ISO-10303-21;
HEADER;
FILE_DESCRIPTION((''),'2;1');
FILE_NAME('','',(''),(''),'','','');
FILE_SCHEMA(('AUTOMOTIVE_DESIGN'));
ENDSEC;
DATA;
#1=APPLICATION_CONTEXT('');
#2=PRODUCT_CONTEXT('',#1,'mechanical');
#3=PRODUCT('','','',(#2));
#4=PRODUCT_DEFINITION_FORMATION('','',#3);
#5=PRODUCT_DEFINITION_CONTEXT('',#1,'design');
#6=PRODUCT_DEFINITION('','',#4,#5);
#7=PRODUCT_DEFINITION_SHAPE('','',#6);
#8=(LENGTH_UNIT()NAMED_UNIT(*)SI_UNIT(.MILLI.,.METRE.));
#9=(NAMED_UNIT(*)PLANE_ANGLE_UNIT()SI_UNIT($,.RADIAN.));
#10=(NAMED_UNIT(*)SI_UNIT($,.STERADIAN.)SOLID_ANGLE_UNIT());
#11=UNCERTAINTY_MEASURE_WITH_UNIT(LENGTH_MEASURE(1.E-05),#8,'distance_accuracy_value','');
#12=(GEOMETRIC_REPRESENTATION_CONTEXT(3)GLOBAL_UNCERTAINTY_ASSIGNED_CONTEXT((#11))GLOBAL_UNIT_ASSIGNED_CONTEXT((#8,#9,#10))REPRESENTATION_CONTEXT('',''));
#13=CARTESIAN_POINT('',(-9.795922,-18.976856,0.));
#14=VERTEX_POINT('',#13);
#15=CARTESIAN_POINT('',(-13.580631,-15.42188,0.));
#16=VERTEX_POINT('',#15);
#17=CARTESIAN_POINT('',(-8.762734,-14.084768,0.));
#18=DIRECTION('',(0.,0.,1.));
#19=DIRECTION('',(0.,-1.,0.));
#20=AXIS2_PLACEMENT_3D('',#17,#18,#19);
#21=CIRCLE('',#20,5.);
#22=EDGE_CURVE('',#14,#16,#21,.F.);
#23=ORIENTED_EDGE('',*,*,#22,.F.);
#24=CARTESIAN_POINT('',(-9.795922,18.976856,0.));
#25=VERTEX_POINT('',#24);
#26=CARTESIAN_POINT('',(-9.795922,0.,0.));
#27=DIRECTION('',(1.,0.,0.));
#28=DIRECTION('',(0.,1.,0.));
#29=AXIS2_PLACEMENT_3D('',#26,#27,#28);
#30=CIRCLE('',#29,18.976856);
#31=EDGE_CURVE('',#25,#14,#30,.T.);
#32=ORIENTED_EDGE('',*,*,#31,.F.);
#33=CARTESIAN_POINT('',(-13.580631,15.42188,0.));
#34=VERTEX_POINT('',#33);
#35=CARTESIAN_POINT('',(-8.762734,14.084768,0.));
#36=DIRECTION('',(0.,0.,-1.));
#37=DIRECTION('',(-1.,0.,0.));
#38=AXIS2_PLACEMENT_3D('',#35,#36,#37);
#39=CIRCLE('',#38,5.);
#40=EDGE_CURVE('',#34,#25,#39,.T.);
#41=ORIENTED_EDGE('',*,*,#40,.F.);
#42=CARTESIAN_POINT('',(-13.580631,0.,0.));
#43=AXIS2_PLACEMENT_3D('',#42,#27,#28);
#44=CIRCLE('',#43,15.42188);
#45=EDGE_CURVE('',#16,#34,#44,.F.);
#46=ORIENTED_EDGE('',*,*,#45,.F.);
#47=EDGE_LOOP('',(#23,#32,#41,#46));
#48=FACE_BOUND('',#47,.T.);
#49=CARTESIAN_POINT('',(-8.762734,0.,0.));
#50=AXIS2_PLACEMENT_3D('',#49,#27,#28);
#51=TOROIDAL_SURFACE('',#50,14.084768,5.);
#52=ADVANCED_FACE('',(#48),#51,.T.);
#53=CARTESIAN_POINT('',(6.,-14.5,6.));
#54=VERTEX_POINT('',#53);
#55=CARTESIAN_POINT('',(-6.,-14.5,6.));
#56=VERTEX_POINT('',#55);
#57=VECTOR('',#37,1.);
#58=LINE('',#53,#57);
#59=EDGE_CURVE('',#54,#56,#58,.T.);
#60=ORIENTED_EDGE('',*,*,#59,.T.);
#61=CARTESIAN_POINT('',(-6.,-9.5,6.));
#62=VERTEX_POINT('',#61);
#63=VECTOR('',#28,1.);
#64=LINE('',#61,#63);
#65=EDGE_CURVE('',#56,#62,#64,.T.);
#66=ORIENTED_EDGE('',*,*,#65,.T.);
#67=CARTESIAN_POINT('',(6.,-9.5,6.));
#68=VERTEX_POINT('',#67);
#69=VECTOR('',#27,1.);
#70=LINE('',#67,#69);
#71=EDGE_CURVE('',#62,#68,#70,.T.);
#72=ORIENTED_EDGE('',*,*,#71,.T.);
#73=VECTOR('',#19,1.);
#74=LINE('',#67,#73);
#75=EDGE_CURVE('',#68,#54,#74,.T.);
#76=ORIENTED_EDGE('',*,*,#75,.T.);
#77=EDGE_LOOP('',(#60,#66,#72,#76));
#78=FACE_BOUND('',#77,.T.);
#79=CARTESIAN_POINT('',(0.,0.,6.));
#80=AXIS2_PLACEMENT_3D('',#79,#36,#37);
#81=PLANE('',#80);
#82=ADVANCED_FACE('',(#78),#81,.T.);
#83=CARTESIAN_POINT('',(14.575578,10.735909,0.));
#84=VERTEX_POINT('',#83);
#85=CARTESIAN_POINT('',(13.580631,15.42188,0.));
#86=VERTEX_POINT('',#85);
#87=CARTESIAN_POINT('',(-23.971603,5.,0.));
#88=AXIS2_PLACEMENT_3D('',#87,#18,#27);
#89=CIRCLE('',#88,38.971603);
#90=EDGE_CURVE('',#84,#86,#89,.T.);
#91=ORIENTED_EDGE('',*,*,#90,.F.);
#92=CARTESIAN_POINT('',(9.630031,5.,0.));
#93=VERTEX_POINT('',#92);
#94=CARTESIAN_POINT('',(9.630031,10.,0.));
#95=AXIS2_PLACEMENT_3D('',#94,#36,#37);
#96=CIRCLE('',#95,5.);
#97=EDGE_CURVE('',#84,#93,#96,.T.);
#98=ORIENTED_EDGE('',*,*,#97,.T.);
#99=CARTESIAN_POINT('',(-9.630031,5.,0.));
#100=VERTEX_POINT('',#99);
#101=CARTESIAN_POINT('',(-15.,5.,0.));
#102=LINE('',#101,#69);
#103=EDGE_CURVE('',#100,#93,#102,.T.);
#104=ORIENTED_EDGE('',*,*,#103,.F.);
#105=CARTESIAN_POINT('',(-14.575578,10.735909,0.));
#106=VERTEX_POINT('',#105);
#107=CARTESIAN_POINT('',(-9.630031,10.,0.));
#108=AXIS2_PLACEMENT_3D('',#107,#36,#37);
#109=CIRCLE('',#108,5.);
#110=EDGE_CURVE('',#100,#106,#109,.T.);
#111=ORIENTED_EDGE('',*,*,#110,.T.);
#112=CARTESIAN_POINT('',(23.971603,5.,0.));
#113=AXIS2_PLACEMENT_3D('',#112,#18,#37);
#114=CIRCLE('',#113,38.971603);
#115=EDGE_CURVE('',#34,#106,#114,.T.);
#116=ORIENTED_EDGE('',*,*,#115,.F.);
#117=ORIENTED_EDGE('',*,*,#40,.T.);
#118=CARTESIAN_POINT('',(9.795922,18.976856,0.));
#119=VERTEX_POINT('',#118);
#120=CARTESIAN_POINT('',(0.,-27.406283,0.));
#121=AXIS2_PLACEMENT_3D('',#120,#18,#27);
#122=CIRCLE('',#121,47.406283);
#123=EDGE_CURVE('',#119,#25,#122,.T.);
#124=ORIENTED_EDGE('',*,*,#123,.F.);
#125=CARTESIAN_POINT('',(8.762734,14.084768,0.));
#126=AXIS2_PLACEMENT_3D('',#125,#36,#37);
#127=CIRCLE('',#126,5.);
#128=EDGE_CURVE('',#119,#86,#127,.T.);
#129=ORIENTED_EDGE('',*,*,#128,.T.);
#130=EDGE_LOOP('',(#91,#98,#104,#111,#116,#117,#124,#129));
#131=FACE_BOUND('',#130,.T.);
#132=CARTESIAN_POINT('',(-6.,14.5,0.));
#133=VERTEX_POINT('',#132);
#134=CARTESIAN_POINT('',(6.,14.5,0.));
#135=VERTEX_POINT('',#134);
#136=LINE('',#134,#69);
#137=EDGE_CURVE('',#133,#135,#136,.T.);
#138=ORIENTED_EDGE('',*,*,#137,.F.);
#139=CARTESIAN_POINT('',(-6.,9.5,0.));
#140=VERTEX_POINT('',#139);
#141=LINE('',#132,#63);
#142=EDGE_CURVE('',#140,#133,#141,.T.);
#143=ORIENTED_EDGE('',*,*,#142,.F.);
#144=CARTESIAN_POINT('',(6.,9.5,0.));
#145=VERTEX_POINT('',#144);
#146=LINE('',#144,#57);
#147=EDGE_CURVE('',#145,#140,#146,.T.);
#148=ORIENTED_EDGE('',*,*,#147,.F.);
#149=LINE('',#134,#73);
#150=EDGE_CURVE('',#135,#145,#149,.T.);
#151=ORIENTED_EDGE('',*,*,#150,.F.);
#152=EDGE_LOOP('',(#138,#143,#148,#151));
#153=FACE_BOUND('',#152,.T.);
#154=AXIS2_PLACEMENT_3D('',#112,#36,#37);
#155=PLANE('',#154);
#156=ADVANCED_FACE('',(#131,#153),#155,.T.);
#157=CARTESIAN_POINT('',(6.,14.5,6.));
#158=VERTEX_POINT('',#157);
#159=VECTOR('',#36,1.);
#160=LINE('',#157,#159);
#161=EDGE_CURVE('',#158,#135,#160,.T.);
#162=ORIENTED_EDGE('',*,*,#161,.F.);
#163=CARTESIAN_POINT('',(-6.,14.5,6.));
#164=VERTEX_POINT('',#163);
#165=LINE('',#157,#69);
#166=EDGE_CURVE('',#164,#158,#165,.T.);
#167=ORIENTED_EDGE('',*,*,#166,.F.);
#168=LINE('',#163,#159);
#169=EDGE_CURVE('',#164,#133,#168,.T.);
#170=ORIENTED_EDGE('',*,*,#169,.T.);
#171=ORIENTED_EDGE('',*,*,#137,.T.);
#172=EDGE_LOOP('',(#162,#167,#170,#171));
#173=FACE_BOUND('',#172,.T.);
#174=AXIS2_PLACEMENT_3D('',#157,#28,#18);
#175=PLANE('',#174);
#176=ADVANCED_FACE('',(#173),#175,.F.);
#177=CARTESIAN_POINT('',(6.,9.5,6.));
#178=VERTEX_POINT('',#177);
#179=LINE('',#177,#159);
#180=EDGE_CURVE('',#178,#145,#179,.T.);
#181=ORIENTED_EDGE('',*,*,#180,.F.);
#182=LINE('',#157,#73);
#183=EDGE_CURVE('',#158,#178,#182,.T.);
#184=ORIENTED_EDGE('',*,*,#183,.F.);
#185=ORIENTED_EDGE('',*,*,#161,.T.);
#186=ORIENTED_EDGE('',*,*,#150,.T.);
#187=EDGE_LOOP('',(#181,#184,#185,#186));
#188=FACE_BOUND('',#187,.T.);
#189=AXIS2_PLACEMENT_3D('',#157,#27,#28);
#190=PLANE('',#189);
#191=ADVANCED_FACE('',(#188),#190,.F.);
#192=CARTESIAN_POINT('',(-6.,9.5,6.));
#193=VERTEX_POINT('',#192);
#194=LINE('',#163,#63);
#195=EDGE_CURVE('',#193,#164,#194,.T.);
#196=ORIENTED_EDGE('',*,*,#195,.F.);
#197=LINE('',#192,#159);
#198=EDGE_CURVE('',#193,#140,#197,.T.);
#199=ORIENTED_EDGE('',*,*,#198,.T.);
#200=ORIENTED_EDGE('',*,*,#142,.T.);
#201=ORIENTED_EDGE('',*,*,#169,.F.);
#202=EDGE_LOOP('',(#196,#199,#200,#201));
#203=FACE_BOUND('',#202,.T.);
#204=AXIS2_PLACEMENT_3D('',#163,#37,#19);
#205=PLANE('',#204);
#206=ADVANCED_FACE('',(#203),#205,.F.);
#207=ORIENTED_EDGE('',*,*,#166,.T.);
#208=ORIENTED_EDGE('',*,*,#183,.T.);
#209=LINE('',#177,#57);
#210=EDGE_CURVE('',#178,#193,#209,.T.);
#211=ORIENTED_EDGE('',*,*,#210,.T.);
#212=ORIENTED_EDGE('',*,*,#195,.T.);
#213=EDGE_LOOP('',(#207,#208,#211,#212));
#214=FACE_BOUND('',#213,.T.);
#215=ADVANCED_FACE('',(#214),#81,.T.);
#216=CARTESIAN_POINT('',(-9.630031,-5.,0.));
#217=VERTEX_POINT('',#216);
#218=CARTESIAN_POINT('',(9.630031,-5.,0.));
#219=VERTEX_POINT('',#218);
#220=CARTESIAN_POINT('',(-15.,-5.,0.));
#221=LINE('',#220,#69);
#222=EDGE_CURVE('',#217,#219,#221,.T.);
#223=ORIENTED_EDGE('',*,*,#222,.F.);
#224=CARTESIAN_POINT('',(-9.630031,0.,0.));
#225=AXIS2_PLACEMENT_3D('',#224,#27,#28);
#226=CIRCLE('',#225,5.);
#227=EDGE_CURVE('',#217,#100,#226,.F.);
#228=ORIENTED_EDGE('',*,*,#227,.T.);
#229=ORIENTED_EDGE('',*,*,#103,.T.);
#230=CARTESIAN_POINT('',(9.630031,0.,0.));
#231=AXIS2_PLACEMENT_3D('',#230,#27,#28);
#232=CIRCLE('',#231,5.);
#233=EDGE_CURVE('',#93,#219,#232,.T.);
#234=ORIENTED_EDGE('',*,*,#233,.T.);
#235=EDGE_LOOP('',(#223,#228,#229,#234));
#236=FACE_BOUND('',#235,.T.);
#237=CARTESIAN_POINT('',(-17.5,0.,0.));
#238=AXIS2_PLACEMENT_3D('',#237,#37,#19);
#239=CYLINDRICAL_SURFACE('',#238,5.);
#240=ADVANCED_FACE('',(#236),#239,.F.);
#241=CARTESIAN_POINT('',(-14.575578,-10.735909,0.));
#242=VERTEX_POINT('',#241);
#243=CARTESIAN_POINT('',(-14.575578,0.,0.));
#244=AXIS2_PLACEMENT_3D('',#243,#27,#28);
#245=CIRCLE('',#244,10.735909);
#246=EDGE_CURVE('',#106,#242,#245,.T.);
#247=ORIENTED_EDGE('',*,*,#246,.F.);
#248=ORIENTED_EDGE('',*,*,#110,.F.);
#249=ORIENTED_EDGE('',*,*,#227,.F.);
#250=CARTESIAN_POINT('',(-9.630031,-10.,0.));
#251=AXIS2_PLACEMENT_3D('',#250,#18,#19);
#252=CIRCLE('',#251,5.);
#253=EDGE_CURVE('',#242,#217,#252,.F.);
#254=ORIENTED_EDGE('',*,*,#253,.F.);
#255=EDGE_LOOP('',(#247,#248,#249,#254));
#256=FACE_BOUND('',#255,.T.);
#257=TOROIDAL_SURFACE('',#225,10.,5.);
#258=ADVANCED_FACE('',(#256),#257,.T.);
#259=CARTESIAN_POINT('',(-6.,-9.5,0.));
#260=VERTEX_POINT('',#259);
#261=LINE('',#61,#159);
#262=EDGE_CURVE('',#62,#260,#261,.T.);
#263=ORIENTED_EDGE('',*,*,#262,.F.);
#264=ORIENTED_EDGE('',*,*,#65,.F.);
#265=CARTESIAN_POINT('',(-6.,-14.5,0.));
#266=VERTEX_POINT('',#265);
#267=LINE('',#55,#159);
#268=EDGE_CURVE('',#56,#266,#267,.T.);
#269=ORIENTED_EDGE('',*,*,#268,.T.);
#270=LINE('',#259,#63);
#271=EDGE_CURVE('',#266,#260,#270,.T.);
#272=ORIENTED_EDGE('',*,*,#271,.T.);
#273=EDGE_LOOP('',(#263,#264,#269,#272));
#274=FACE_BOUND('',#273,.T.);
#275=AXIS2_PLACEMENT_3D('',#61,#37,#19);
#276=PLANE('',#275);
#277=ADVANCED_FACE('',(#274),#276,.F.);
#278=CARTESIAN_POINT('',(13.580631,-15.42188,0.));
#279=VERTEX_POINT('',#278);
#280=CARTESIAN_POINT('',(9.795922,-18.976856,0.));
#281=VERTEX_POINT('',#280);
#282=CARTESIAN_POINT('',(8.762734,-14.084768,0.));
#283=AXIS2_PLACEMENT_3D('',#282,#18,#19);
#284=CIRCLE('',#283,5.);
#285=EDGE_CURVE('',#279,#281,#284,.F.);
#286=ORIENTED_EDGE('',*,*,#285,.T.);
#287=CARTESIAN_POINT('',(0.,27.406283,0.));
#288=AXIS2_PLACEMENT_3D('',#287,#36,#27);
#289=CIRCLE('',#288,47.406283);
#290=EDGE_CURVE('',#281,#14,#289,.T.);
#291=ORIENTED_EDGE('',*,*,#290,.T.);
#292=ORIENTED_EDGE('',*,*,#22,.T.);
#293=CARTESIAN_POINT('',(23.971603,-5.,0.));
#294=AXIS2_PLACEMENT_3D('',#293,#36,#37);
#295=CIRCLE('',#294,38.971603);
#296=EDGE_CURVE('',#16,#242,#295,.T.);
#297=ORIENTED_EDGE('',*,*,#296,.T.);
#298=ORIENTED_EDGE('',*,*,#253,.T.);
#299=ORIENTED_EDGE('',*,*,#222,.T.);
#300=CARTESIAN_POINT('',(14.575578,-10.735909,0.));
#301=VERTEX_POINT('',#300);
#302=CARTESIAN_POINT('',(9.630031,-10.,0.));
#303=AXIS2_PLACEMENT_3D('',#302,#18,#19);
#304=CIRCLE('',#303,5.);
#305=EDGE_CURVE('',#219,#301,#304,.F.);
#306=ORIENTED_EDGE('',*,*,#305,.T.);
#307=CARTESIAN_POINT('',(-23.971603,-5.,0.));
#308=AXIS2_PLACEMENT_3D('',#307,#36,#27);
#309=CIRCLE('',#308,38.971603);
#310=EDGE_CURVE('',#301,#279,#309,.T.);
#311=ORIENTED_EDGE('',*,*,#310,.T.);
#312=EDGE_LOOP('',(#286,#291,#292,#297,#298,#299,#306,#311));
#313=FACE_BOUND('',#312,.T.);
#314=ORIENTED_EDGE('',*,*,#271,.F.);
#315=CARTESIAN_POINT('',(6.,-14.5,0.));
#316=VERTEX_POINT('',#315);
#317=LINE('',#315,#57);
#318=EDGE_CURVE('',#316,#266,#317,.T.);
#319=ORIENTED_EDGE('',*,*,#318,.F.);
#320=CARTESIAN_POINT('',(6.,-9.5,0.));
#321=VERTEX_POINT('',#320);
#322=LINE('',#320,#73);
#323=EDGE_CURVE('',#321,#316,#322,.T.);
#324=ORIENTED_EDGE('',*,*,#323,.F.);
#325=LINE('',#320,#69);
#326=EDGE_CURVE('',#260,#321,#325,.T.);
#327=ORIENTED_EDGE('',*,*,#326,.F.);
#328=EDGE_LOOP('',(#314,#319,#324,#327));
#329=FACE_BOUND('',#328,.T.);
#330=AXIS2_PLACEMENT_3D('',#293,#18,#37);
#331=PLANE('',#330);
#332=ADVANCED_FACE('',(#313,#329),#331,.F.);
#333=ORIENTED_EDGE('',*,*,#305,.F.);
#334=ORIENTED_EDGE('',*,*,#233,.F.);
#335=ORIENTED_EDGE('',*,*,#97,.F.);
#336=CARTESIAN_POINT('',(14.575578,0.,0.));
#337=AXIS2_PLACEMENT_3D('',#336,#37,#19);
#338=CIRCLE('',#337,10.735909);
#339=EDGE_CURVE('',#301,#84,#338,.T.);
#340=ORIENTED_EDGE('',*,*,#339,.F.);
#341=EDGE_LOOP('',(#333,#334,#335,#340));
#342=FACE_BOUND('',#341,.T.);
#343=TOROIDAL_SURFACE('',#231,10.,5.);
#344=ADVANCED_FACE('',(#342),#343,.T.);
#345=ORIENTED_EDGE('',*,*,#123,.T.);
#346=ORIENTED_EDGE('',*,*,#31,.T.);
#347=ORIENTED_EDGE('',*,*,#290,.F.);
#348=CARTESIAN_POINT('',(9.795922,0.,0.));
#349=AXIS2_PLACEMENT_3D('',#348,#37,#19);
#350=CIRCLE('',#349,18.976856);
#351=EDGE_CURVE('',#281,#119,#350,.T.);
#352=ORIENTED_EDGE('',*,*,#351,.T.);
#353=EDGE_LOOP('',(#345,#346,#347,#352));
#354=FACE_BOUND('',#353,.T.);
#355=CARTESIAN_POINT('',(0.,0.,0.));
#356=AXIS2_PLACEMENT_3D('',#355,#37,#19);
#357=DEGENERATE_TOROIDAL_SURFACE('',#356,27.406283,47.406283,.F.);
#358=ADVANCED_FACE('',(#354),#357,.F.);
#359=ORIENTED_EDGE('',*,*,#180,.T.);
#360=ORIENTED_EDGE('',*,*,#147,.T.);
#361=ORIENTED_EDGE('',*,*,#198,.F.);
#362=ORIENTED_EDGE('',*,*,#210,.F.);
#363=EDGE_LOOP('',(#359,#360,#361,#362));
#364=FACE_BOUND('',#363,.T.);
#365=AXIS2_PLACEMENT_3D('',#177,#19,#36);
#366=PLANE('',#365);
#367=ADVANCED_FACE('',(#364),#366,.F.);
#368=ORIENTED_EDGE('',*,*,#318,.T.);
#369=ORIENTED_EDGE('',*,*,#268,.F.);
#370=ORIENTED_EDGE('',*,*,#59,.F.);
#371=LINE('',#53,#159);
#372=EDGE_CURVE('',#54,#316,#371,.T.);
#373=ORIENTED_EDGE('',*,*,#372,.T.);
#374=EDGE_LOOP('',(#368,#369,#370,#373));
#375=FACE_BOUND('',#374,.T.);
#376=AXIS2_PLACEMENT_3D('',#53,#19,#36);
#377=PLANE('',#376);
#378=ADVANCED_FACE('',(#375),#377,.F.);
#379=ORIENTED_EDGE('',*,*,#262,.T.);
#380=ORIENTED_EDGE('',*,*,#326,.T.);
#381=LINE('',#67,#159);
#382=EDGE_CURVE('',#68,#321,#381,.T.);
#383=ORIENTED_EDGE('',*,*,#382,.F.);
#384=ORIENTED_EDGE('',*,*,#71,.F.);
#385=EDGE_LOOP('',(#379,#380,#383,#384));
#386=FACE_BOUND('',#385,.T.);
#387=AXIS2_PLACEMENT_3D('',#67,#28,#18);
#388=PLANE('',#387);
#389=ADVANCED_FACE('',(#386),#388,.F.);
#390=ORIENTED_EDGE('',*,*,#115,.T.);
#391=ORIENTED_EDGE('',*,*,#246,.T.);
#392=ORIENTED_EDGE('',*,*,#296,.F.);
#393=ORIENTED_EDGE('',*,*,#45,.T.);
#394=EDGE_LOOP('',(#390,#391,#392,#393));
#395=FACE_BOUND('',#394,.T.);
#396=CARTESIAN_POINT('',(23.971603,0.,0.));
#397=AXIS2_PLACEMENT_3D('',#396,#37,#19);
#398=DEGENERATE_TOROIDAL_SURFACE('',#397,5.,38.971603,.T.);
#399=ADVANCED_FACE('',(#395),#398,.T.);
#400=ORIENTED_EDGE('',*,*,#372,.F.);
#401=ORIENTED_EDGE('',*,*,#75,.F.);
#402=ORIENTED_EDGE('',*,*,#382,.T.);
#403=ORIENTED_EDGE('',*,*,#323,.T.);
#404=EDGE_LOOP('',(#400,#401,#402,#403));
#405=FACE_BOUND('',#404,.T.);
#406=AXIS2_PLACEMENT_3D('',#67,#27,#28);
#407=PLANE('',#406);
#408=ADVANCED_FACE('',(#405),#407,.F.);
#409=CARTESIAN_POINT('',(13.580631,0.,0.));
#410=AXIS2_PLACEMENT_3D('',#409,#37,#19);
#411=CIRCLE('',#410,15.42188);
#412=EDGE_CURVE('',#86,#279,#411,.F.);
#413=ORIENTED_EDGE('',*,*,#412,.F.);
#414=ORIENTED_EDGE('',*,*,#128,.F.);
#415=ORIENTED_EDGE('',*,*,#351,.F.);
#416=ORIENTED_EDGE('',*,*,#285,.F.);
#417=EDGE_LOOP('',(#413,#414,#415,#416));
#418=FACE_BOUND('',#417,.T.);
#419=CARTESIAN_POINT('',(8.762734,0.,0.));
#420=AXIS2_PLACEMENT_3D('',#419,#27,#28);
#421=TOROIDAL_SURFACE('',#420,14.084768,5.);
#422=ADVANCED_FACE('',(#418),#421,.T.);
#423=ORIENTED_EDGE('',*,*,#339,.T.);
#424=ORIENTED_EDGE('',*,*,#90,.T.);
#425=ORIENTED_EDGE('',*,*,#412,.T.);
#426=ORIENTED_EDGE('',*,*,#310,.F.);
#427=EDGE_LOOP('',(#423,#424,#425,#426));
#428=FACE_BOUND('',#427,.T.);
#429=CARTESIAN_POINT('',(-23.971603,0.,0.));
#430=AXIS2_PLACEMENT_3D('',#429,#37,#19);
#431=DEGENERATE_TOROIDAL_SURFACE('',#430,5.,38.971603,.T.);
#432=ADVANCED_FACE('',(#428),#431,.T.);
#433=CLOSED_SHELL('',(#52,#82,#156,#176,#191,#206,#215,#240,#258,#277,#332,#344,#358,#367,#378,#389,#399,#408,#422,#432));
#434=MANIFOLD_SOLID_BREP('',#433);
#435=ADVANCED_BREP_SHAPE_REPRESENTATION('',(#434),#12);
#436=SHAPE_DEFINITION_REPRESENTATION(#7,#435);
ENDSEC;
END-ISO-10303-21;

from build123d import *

# Parameters (mm, degrees)
REVOLVE_1_ANGLE     = 180
FILLET_1_R          = 5
FILLET_2_R          = 5
SKETCH_2_W          = 12
SKETCH_2_H          = 5
CUT_EXTRUDE_1_DEPTH = 6


with BuildPart() as part:
    # 草图1 → 旋转1 (revolve)
    with BuildSketch(Plane.XY):
        with BuildLine():
            Line((-15, 5), (15, 5))
            ThreePointArc((15, 5), (14.412847263, 11.739422714), (12.669081334, 18.275770872))
            ThreePointArc((12.669081334, 18.275770872), (0, 20), (-12.669081334, 18.275770872))
            ThreePointArc((-12.669081334, 18.275770872), (-14.412847263, 11.739422714), (-15, 5))
        make_face()
    revolve(axis=Axis((-17.5, 0, 0), (1, 0, 0)), revolution_arc=REVOLVE_1_ANGLE)

    # 圆角1
    fillet_1_edges = [part.edges().sort_by_distance(p)[0] for p in [
        (12.669081334, 0, 18.275770872),
        (-12.669081334, 0, 18.275770872),
    ]]
    fillet(fillet_1_edges, radius=FILLET_1_R)

    # 圆角2
    fillet_2_edges = [part.edges().sort_by_distance(p)[0] for p in [
        (-15, 0, 5),
        (15, 0, 5),
    ]]
    fillet(fillet_2_edges, radius=FILLET_2_R)

    # 草图2 → 切除-拉伸1 (cut)
    with BuildSketch(Plane(origin=(0, 0, 0), x_dir=(-1, 0, 0), z_dir=(0, 0, -1))):
        with Locations((0, 12)):
            Rectangle(SKETCH_2_W, SKETCH_2_H)
        with Locations((0, -12)):
            Rectangle(SKETCH_2_W, SKETCH_2_H)
    extrude(amount=-CUT_EXTRUDE_1_DEPTH, mode=Mode.SUBTRACT)


solid = part.part
